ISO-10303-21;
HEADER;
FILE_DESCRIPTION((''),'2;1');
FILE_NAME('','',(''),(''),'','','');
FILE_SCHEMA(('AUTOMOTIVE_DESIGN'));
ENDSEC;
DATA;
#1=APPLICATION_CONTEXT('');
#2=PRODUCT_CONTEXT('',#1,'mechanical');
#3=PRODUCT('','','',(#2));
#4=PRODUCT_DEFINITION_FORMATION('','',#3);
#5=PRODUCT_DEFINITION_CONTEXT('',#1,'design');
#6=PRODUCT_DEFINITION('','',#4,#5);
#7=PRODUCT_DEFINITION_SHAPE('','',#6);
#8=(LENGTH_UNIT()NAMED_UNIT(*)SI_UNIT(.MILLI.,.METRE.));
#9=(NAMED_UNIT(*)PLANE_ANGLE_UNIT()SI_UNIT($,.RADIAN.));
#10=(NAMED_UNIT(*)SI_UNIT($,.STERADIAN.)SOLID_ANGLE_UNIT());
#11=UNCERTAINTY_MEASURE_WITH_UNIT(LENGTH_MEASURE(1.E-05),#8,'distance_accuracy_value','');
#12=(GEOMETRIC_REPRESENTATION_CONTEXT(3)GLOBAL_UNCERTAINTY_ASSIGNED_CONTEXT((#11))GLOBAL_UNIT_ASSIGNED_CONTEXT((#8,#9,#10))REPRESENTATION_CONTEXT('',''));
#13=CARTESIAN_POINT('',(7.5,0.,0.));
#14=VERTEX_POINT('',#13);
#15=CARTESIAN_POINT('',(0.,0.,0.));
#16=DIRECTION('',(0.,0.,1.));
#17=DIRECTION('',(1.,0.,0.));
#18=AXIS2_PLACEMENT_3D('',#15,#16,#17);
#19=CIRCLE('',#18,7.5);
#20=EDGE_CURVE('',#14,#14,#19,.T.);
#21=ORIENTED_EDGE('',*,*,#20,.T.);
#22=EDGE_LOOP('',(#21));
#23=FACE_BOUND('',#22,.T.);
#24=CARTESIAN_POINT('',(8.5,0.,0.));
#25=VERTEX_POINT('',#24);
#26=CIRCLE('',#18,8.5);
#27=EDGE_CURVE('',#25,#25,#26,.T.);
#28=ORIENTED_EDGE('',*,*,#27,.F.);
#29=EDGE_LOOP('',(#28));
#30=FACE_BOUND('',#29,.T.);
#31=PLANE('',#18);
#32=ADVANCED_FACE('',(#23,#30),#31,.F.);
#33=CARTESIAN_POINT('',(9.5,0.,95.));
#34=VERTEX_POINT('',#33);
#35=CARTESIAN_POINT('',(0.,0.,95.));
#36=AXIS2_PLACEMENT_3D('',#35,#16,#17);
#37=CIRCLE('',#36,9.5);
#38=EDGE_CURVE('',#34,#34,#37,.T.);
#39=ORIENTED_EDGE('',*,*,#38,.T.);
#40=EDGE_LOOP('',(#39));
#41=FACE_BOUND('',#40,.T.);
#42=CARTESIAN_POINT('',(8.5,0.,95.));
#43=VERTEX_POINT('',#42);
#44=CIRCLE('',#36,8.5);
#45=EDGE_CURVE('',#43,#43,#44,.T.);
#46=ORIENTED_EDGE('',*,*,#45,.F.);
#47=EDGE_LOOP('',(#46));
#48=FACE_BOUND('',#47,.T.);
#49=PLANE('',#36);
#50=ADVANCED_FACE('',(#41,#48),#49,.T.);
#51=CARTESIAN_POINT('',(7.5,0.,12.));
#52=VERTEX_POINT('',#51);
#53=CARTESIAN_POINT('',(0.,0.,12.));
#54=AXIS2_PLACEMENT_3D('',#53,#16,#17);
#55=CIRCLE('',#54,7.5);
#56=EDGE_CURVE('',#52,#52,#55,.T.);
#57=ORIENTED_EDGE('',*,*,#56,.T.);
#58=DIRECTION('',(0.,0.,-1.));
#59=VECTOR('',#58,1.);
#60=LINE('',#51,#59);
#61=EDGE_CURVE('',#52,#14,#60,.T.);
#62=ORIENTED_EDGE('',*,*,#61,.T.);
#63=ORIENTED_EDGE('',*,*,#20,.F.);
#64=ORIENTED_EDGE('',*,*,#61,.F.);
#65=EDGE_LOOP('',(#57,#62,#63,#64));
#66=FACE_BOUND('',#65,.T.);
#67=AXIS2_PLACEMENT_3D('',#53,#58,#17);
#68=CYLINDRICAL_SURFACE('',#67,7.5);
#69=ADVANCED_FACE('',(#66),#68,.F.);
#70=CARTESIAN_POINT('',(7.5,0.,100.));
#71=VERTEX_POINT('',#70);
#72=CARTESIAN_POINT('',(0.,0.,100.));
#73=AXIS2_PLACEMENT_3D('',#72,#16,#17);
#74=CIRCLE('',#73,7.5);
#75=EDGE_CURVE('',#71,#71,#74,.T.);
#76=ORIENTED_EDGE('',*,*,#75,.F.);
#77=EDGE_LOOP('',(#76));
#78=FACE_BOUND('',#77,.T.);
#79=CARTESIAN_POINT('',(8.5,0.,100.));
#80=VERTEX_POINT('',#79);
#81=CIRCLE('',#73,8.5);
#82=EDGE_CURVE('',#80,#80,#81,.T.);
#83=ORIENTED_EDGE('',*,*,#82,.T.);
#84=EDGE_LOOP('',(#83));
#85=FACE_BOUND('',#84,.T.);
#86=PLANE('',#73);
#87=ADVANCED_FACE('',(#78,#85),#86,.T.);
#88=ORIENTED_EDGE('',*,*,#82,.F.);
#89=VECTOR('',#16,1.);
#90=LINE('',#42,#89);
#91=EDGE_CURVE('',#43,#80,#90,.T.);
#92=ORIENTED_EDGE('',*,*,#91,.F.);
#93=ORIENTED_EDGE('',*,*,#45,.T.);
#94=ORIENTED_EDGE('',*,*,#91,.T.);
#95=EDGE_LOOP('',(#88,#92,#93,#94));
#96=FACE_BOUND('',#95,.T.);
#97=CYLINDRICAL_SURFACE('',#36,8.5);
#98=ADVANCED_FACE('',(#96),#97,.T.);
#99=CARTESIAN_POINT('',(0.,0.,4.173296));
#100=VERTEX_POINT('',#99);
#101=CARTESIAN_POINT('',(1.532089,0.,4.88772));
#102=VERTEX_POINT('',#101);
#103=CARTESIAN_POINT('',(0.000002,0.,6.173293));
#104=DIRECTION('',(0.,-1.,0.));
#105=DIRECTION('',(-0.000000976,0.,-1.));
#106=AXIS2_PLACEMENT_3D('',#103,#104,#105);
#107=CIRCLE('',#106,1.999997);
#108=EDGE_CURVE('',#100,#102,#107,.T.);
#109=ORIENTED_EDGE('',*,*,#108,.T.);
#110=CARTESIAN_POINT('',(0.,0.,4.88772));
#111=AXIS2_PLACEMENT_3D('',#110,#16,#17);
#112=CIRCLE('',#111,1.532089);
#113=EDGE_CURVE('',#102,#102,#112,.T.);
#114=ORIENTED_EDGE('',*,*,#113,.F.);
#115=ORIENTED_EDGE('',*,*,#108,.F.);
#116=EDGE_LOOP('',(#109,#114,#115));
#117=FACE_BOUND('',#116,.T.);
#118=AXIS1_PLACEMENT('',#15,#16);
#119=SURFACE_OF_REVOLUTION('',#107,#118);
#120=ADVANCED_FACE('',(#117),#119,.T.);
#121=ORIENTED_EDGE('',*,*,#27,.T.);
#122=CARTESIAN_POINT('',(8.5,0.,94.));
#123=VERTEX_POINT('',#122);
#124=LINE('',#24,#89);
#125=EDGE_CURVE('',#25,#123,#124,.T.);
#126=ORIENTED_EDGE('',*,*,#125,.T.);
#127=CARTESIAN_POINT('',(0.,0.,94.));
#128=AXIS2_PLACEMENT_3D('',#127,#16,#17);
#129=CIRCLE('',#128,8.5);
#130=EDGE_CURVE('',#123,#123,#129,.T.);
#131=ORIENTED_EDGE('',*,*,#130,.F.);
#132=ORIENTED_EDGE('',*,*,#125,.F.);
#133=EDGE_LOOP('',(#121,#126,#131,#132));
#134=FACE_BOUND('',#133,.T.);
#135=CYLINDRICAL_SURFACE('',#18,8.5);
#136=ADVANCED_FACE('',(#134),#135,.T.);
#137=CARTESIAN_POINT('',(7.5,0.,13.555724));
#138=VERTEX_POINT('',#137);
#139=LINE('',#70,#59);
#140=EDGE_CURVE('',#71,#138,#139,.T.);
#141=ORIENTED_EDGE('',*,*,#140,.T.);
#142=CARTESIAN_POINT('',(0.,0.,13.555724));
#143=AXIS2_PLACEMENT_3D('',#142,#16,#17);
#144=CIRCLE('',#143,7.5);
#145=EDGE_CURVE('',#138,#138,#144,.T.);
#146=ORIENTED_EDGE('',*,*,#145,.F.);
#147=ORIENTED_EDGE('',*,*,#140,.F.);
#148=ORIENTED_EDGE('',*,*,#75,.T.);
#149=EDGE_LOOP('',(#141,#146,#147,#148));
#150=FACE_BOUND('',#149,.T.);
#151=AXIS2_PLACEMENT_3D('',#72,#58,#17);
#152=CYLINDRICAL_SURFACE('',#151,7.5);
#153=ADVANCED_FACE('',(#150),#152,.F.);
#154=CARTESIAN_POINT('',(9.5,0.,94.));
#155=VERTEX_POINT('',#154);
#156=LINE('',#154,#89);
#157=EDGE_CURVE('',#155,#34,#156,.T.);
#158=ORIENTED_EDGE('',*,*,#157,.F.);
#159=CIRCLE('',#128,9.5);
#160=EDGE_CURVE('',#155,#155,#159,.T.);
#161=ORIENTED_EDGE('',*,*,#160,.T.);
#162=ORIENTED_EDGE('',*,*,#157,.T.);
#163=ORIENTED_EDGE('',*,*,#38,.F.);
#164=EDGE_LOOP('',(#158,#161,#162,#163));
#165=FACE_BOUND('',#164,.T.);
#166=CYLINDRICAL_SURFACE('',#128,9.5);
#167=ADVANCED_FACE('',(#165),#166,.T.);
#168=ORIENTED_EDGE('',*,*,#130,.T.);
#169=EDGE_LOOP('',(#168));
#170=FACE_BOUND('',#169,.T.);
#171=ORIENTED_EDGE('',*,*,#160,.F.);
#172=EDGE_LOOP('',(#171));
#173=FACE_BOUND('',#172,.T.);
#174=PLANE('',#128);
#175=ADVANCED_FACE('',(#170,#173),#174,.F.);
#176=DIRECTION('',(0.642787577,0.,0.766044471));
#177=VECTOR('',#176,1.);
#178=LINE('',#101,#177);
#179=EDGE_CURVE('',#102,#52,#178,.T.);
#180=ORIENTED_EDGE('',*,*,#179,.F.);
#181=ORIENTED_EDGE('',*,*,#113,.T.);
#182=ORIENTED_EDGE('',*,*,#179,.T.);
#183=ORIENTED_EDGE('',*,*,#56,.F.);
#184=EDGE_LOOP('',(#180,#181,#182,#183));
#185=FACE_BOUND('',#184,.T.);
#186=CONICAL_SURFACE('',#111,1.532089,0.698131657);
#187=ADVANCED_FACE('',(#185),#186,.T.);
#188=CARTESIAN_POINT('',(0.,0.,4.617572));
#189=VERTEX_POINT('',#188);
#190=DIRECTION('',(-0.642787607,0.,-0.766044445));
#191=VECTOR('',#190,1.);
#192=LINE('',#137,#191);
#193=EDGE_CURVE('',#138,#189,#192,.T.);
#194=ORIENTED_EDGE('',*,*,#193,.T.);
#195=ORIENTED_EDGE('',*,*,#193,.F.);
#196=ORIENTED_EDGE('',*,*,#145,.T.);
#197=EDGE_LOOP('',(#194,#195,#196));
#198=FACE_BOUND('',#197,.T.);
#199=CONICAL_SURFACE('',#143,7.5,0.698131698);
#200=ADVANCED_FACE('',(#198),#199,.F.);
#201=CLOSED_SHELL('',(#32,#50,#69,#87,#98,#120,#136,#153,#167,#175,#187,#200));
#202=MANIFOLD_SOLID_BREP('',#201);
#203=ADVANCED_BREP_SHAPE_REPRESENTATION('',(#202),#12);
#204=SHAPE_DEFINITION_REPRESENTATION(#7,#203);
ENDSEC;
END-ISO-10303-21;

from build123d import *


with BuildPart() as part:
    # Sketch → Revolution (revolve)
    with BuildSketch(Plane.XZ):
        with BuildLine():
            Line((8.5, 94), (9.5, 94))
            Line((9.5, 94), (9.5, 95))
            Line((9.5, 95), (8.5, 95))
            Line((8.5, 95), (8.5, 100))
            Line((8.5, 100), (7.5, 100))
            Line((7.5, 100), (7.5, 13.555724))
            Line((7.5, 13.555724), (0, 4.617572))
            Line((0, 4.173296), (0, 4.617572))
            ThreePointArc((0, 4.173296), (0.845237, 4.36068), (1.532089, 4.88772))
            Line((1.532089, 4.88772), (7.5, 12))
            Line((7.5, 12), (7.5, 0))
            Line((7.5, 0), (8.5, 0))
            Line((8.5, 0), (8.5, 94))
        make_face()
    revolve(axis=Axis((0, 0, 0), (0, 0, 1)))


solid = part.part
